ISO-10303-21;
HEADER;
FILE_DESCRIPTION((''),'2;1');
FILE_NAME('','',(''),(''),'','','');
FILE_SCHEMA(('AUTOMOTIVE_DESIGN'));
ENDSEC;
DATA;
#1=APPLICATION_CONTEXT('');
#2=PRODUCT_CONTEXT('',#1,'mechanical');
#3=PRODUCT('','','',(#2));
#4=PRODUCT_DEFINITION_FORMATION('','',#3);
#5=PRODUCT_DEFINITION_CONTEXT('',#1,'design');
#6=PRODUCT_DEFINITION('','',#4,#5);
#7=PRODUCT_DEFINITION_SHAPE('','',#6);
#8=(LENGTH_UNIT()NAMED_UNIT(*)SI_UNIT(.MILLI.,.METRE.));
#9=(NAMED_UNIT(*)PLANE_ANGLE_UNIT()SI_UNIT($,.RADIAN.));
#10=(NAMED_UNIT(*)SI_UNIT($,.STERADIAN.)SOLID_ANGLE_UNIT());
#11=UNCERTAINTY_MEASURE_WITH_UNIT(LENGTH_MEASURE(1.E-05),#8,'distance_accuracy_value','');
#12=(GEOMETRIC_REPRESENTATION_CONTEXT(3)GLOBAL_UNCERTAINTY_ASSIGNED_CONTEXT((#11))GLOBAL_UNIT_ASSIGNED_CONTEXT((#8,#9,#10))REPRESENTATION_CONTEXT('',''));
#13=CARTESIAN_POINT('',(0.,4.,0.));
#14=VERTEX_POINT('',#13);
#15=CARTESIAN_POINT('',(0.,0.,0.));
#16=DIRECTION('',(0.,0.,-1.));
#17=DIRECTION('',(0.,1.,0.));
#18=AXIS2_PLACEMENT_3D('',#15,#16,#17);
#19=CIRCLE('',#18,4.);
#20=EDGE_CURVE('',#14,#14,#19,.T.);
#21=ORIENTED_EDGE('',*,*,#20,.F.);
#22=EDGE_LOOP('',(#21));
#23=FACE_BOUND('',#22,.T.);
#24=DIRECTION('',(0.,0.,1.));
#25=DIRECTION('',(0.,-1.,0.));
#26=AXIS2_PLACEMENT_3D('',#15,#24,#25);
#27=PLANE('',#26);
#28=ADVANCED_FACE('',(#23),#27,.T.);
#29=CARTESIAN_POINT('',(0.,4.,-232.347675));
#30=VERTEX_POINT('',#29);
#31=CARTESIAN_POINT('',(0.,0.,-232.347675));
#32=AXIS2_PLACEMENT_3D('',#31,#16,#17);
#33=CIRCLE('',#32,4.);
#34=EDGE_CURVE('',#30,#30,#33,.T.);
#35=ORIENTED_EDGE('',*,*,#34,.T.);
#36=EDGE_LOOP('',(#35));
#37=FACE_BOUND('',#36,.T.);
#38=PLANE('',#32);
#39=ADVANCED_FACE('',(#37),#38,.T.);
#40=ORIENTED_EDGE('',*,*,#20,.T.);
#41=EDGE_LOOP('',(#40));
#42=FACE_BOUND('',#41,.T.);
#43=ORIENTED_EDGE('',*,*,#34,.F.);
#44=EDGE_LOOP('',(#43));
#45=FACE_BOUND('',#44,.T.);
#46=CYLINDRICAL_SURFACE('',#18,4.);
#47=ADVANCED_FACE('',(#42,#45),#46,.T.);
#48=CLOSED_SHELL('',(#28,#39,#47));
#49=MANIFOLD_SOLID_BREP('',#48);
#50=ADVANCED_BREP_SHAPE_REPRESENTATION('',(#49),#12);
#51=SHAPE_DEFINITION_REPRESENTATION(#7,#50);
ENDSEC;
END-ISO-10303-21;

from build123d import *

# Parameters (mm, degrees)
SKETCH2_W = 232.347675392
SKETCH2_H = 4


with BuildPart() as part:
    # Sketch2 → Revolve1 (revolve)
    with BuildSketch(Plane(origin=(0, 0, 0), x_dir=(0, 0, -1), z_dir=(1, 0, 0))):
        with Locations((116.173837696, 2)):
            Rectangle(SKETCH2_W, SKETCH2_H)
    revolve(axis=Axis((0, 0, 0), (0, 0, 1)))


solid = part.part
